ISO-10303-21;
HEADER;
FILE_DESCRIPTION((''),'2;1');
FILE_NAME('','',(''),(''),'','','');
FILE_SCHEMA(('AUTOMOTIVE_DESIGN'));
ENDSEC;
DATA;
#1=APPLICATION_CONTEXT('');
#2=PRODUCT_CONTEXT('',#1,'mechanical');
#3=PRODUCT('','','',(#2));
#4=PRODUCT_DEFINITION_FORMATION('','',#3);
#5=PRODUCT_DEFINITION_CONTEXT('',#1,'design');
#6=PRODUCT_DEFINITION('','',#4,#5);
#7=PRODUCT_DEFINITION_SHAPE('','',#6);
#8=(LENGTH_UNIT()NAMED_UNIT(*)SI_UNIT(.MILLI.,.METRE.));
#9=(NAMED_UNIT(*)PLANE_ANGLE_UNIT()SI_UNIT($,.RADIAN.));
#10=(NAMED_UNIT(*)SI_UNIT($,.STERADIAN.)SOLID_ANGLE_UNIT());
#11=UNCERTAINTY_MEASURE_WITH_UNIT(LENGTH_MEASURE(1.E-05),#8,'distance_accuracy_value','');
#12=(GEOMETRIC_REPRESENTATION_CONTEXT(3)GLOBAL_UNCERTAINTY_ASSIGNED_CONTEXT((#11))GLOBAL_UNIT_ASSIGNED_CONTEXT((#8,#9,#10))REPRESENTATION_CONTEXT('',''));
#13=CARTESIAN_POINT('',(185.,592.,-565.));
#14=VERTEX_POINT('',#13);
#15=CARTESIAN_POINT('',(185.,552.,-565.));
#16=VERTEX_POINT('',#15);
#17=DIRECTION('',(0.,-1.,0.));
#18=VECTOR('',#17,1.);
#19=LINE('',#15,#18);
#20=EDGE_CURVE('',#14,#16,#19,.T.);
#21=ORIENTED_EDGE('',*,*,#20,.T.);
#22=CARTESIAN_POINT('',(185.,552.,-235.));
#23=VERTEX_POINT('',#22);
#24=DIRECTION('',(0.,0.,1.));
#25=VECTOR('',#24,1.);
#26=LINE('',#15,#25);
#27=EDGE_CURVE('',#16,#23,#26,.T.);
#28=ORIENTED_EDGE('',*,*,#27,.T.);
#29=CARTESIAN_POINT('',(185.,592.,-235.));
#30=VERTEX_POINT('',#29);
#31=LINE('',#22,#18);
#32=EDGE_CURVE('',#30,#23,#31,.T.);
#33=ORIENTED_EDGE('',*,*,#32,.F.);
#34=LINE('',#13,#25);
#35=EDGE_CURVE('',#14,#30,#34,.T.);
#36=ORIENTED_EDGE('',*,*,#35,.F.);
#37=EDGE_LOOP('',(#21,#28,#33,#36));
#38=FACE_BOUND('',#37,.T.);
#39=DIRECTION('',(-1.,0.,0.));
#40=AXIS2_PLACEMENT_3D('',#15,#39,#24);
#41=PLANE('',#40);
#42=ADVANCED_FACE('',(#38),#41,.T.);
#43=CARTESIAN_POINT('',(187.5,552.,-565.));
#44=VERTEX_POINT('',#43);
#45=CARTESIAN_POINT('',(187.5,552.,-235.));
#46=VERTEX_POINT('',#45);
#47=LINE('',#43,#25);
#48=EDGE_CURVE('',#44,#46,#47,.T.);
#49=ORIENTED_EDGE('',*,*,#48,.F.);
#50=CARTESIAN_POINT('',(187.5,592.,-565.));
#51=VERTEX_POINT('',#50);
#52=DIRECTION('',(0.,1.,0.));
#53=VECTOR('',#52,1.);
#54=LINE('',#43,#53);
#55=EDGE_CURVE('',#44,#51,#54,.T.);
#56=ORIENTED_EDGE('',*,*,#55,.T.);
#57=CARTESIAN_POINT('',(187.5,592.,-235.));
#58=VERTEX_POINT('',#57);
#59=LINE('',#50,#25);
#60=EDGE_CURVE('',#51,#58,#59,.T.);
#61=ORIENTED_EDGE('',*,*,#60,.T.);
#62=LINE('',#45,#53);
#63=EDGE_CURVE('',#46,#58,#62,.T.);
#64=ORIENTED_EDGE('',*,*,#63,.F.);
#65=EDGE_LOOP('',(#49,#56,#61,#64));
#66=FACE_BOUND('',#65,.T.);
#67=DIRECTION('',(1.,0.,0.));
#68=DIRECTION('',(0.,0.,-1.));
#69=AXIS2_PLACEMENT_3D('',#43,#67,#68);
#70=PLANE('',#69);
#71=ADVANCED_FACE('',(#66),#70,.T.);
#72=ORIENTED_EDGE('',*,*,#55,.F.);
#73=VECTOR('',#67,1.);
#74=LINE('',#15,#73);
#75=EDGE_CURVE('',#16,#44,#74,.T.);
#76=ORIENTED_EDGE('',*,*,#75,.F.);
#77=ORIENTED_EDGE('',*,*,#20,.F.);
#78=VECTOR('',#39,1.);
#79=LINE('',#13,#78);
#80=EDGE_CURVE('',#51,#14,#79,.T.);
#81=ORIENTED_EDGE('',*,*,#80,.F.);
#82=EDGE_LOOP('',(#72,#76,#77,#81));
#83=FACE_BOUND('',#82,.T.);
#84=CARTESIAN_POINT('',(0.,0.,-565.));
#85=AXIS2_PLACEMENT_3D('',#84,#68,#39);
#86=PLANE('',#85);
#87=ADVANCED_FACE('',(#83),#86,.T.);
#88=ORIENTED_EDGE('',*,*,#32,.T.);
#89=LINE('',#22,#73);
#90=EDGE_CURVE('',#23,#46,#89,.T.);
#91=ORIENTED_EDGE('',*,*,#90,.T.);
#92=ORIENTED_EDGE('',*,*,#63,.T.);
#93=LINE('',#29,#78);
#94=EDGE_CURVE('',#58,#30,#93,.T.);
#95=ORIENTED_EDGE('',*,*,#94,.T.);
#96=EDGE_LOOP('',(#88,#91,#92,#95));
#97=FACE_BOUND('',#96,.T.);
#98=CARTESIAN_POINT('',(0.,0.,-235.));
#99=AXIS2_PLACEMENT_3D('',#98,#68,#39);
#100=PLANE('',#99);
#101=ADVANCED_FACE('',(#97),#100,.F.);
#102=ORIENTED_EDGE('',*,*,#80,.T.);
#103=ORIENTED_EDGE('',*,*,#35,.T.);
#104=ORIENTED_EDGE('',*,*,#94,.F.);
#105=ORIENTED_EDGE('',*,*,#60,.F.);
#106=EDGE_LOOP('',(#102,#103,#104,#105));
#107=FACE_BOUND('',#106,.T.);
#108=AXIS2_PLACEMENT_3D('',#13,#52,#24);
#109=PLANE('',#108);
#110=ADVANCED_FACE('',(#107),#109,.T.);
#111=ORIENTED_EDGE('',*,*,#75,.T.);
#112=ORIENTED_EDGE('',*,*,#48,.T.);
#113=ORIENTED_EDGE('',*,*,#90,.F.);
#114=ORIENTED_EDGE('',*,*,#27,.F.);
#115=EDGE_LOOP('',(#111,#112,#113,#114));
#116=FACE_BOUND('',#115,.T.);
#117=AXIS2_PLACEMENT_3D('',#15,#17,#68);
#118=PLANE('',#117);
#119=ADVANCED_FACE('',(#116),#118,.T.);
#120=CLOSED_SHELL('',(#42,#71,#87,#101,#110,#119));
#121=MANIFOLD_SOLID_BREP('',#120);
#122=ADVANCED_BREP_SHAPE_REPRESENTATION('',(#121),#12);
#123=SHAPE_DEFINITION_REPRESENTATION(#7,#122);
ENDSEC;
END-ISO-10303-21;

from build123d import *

# Parameters (mm, degrees)
PACK_KALIP_DUVARI_SOL_1_START = -235
SKETCH1_W                     = 2.5
SKETCH1_H                     = 40
PACK_KALIP_DUVARI_SOL_1_DEPTH = 330


with BuildPart() as part:
    # Sketch1 → PACK_kalip_duvari_sol_1 (new body)
    with BuildSketch(Plane.XY.offset(PACK_KALIP_DUVARI_SOL_1_START)):
        with Locations((186.25, 572)):
            Rectangle(SKETCH1_W, SKETCH1_H)
    extrude(amount=-PACK_KALIP_DUVARI_SOL_1_DEPTH)


solid = part.part
